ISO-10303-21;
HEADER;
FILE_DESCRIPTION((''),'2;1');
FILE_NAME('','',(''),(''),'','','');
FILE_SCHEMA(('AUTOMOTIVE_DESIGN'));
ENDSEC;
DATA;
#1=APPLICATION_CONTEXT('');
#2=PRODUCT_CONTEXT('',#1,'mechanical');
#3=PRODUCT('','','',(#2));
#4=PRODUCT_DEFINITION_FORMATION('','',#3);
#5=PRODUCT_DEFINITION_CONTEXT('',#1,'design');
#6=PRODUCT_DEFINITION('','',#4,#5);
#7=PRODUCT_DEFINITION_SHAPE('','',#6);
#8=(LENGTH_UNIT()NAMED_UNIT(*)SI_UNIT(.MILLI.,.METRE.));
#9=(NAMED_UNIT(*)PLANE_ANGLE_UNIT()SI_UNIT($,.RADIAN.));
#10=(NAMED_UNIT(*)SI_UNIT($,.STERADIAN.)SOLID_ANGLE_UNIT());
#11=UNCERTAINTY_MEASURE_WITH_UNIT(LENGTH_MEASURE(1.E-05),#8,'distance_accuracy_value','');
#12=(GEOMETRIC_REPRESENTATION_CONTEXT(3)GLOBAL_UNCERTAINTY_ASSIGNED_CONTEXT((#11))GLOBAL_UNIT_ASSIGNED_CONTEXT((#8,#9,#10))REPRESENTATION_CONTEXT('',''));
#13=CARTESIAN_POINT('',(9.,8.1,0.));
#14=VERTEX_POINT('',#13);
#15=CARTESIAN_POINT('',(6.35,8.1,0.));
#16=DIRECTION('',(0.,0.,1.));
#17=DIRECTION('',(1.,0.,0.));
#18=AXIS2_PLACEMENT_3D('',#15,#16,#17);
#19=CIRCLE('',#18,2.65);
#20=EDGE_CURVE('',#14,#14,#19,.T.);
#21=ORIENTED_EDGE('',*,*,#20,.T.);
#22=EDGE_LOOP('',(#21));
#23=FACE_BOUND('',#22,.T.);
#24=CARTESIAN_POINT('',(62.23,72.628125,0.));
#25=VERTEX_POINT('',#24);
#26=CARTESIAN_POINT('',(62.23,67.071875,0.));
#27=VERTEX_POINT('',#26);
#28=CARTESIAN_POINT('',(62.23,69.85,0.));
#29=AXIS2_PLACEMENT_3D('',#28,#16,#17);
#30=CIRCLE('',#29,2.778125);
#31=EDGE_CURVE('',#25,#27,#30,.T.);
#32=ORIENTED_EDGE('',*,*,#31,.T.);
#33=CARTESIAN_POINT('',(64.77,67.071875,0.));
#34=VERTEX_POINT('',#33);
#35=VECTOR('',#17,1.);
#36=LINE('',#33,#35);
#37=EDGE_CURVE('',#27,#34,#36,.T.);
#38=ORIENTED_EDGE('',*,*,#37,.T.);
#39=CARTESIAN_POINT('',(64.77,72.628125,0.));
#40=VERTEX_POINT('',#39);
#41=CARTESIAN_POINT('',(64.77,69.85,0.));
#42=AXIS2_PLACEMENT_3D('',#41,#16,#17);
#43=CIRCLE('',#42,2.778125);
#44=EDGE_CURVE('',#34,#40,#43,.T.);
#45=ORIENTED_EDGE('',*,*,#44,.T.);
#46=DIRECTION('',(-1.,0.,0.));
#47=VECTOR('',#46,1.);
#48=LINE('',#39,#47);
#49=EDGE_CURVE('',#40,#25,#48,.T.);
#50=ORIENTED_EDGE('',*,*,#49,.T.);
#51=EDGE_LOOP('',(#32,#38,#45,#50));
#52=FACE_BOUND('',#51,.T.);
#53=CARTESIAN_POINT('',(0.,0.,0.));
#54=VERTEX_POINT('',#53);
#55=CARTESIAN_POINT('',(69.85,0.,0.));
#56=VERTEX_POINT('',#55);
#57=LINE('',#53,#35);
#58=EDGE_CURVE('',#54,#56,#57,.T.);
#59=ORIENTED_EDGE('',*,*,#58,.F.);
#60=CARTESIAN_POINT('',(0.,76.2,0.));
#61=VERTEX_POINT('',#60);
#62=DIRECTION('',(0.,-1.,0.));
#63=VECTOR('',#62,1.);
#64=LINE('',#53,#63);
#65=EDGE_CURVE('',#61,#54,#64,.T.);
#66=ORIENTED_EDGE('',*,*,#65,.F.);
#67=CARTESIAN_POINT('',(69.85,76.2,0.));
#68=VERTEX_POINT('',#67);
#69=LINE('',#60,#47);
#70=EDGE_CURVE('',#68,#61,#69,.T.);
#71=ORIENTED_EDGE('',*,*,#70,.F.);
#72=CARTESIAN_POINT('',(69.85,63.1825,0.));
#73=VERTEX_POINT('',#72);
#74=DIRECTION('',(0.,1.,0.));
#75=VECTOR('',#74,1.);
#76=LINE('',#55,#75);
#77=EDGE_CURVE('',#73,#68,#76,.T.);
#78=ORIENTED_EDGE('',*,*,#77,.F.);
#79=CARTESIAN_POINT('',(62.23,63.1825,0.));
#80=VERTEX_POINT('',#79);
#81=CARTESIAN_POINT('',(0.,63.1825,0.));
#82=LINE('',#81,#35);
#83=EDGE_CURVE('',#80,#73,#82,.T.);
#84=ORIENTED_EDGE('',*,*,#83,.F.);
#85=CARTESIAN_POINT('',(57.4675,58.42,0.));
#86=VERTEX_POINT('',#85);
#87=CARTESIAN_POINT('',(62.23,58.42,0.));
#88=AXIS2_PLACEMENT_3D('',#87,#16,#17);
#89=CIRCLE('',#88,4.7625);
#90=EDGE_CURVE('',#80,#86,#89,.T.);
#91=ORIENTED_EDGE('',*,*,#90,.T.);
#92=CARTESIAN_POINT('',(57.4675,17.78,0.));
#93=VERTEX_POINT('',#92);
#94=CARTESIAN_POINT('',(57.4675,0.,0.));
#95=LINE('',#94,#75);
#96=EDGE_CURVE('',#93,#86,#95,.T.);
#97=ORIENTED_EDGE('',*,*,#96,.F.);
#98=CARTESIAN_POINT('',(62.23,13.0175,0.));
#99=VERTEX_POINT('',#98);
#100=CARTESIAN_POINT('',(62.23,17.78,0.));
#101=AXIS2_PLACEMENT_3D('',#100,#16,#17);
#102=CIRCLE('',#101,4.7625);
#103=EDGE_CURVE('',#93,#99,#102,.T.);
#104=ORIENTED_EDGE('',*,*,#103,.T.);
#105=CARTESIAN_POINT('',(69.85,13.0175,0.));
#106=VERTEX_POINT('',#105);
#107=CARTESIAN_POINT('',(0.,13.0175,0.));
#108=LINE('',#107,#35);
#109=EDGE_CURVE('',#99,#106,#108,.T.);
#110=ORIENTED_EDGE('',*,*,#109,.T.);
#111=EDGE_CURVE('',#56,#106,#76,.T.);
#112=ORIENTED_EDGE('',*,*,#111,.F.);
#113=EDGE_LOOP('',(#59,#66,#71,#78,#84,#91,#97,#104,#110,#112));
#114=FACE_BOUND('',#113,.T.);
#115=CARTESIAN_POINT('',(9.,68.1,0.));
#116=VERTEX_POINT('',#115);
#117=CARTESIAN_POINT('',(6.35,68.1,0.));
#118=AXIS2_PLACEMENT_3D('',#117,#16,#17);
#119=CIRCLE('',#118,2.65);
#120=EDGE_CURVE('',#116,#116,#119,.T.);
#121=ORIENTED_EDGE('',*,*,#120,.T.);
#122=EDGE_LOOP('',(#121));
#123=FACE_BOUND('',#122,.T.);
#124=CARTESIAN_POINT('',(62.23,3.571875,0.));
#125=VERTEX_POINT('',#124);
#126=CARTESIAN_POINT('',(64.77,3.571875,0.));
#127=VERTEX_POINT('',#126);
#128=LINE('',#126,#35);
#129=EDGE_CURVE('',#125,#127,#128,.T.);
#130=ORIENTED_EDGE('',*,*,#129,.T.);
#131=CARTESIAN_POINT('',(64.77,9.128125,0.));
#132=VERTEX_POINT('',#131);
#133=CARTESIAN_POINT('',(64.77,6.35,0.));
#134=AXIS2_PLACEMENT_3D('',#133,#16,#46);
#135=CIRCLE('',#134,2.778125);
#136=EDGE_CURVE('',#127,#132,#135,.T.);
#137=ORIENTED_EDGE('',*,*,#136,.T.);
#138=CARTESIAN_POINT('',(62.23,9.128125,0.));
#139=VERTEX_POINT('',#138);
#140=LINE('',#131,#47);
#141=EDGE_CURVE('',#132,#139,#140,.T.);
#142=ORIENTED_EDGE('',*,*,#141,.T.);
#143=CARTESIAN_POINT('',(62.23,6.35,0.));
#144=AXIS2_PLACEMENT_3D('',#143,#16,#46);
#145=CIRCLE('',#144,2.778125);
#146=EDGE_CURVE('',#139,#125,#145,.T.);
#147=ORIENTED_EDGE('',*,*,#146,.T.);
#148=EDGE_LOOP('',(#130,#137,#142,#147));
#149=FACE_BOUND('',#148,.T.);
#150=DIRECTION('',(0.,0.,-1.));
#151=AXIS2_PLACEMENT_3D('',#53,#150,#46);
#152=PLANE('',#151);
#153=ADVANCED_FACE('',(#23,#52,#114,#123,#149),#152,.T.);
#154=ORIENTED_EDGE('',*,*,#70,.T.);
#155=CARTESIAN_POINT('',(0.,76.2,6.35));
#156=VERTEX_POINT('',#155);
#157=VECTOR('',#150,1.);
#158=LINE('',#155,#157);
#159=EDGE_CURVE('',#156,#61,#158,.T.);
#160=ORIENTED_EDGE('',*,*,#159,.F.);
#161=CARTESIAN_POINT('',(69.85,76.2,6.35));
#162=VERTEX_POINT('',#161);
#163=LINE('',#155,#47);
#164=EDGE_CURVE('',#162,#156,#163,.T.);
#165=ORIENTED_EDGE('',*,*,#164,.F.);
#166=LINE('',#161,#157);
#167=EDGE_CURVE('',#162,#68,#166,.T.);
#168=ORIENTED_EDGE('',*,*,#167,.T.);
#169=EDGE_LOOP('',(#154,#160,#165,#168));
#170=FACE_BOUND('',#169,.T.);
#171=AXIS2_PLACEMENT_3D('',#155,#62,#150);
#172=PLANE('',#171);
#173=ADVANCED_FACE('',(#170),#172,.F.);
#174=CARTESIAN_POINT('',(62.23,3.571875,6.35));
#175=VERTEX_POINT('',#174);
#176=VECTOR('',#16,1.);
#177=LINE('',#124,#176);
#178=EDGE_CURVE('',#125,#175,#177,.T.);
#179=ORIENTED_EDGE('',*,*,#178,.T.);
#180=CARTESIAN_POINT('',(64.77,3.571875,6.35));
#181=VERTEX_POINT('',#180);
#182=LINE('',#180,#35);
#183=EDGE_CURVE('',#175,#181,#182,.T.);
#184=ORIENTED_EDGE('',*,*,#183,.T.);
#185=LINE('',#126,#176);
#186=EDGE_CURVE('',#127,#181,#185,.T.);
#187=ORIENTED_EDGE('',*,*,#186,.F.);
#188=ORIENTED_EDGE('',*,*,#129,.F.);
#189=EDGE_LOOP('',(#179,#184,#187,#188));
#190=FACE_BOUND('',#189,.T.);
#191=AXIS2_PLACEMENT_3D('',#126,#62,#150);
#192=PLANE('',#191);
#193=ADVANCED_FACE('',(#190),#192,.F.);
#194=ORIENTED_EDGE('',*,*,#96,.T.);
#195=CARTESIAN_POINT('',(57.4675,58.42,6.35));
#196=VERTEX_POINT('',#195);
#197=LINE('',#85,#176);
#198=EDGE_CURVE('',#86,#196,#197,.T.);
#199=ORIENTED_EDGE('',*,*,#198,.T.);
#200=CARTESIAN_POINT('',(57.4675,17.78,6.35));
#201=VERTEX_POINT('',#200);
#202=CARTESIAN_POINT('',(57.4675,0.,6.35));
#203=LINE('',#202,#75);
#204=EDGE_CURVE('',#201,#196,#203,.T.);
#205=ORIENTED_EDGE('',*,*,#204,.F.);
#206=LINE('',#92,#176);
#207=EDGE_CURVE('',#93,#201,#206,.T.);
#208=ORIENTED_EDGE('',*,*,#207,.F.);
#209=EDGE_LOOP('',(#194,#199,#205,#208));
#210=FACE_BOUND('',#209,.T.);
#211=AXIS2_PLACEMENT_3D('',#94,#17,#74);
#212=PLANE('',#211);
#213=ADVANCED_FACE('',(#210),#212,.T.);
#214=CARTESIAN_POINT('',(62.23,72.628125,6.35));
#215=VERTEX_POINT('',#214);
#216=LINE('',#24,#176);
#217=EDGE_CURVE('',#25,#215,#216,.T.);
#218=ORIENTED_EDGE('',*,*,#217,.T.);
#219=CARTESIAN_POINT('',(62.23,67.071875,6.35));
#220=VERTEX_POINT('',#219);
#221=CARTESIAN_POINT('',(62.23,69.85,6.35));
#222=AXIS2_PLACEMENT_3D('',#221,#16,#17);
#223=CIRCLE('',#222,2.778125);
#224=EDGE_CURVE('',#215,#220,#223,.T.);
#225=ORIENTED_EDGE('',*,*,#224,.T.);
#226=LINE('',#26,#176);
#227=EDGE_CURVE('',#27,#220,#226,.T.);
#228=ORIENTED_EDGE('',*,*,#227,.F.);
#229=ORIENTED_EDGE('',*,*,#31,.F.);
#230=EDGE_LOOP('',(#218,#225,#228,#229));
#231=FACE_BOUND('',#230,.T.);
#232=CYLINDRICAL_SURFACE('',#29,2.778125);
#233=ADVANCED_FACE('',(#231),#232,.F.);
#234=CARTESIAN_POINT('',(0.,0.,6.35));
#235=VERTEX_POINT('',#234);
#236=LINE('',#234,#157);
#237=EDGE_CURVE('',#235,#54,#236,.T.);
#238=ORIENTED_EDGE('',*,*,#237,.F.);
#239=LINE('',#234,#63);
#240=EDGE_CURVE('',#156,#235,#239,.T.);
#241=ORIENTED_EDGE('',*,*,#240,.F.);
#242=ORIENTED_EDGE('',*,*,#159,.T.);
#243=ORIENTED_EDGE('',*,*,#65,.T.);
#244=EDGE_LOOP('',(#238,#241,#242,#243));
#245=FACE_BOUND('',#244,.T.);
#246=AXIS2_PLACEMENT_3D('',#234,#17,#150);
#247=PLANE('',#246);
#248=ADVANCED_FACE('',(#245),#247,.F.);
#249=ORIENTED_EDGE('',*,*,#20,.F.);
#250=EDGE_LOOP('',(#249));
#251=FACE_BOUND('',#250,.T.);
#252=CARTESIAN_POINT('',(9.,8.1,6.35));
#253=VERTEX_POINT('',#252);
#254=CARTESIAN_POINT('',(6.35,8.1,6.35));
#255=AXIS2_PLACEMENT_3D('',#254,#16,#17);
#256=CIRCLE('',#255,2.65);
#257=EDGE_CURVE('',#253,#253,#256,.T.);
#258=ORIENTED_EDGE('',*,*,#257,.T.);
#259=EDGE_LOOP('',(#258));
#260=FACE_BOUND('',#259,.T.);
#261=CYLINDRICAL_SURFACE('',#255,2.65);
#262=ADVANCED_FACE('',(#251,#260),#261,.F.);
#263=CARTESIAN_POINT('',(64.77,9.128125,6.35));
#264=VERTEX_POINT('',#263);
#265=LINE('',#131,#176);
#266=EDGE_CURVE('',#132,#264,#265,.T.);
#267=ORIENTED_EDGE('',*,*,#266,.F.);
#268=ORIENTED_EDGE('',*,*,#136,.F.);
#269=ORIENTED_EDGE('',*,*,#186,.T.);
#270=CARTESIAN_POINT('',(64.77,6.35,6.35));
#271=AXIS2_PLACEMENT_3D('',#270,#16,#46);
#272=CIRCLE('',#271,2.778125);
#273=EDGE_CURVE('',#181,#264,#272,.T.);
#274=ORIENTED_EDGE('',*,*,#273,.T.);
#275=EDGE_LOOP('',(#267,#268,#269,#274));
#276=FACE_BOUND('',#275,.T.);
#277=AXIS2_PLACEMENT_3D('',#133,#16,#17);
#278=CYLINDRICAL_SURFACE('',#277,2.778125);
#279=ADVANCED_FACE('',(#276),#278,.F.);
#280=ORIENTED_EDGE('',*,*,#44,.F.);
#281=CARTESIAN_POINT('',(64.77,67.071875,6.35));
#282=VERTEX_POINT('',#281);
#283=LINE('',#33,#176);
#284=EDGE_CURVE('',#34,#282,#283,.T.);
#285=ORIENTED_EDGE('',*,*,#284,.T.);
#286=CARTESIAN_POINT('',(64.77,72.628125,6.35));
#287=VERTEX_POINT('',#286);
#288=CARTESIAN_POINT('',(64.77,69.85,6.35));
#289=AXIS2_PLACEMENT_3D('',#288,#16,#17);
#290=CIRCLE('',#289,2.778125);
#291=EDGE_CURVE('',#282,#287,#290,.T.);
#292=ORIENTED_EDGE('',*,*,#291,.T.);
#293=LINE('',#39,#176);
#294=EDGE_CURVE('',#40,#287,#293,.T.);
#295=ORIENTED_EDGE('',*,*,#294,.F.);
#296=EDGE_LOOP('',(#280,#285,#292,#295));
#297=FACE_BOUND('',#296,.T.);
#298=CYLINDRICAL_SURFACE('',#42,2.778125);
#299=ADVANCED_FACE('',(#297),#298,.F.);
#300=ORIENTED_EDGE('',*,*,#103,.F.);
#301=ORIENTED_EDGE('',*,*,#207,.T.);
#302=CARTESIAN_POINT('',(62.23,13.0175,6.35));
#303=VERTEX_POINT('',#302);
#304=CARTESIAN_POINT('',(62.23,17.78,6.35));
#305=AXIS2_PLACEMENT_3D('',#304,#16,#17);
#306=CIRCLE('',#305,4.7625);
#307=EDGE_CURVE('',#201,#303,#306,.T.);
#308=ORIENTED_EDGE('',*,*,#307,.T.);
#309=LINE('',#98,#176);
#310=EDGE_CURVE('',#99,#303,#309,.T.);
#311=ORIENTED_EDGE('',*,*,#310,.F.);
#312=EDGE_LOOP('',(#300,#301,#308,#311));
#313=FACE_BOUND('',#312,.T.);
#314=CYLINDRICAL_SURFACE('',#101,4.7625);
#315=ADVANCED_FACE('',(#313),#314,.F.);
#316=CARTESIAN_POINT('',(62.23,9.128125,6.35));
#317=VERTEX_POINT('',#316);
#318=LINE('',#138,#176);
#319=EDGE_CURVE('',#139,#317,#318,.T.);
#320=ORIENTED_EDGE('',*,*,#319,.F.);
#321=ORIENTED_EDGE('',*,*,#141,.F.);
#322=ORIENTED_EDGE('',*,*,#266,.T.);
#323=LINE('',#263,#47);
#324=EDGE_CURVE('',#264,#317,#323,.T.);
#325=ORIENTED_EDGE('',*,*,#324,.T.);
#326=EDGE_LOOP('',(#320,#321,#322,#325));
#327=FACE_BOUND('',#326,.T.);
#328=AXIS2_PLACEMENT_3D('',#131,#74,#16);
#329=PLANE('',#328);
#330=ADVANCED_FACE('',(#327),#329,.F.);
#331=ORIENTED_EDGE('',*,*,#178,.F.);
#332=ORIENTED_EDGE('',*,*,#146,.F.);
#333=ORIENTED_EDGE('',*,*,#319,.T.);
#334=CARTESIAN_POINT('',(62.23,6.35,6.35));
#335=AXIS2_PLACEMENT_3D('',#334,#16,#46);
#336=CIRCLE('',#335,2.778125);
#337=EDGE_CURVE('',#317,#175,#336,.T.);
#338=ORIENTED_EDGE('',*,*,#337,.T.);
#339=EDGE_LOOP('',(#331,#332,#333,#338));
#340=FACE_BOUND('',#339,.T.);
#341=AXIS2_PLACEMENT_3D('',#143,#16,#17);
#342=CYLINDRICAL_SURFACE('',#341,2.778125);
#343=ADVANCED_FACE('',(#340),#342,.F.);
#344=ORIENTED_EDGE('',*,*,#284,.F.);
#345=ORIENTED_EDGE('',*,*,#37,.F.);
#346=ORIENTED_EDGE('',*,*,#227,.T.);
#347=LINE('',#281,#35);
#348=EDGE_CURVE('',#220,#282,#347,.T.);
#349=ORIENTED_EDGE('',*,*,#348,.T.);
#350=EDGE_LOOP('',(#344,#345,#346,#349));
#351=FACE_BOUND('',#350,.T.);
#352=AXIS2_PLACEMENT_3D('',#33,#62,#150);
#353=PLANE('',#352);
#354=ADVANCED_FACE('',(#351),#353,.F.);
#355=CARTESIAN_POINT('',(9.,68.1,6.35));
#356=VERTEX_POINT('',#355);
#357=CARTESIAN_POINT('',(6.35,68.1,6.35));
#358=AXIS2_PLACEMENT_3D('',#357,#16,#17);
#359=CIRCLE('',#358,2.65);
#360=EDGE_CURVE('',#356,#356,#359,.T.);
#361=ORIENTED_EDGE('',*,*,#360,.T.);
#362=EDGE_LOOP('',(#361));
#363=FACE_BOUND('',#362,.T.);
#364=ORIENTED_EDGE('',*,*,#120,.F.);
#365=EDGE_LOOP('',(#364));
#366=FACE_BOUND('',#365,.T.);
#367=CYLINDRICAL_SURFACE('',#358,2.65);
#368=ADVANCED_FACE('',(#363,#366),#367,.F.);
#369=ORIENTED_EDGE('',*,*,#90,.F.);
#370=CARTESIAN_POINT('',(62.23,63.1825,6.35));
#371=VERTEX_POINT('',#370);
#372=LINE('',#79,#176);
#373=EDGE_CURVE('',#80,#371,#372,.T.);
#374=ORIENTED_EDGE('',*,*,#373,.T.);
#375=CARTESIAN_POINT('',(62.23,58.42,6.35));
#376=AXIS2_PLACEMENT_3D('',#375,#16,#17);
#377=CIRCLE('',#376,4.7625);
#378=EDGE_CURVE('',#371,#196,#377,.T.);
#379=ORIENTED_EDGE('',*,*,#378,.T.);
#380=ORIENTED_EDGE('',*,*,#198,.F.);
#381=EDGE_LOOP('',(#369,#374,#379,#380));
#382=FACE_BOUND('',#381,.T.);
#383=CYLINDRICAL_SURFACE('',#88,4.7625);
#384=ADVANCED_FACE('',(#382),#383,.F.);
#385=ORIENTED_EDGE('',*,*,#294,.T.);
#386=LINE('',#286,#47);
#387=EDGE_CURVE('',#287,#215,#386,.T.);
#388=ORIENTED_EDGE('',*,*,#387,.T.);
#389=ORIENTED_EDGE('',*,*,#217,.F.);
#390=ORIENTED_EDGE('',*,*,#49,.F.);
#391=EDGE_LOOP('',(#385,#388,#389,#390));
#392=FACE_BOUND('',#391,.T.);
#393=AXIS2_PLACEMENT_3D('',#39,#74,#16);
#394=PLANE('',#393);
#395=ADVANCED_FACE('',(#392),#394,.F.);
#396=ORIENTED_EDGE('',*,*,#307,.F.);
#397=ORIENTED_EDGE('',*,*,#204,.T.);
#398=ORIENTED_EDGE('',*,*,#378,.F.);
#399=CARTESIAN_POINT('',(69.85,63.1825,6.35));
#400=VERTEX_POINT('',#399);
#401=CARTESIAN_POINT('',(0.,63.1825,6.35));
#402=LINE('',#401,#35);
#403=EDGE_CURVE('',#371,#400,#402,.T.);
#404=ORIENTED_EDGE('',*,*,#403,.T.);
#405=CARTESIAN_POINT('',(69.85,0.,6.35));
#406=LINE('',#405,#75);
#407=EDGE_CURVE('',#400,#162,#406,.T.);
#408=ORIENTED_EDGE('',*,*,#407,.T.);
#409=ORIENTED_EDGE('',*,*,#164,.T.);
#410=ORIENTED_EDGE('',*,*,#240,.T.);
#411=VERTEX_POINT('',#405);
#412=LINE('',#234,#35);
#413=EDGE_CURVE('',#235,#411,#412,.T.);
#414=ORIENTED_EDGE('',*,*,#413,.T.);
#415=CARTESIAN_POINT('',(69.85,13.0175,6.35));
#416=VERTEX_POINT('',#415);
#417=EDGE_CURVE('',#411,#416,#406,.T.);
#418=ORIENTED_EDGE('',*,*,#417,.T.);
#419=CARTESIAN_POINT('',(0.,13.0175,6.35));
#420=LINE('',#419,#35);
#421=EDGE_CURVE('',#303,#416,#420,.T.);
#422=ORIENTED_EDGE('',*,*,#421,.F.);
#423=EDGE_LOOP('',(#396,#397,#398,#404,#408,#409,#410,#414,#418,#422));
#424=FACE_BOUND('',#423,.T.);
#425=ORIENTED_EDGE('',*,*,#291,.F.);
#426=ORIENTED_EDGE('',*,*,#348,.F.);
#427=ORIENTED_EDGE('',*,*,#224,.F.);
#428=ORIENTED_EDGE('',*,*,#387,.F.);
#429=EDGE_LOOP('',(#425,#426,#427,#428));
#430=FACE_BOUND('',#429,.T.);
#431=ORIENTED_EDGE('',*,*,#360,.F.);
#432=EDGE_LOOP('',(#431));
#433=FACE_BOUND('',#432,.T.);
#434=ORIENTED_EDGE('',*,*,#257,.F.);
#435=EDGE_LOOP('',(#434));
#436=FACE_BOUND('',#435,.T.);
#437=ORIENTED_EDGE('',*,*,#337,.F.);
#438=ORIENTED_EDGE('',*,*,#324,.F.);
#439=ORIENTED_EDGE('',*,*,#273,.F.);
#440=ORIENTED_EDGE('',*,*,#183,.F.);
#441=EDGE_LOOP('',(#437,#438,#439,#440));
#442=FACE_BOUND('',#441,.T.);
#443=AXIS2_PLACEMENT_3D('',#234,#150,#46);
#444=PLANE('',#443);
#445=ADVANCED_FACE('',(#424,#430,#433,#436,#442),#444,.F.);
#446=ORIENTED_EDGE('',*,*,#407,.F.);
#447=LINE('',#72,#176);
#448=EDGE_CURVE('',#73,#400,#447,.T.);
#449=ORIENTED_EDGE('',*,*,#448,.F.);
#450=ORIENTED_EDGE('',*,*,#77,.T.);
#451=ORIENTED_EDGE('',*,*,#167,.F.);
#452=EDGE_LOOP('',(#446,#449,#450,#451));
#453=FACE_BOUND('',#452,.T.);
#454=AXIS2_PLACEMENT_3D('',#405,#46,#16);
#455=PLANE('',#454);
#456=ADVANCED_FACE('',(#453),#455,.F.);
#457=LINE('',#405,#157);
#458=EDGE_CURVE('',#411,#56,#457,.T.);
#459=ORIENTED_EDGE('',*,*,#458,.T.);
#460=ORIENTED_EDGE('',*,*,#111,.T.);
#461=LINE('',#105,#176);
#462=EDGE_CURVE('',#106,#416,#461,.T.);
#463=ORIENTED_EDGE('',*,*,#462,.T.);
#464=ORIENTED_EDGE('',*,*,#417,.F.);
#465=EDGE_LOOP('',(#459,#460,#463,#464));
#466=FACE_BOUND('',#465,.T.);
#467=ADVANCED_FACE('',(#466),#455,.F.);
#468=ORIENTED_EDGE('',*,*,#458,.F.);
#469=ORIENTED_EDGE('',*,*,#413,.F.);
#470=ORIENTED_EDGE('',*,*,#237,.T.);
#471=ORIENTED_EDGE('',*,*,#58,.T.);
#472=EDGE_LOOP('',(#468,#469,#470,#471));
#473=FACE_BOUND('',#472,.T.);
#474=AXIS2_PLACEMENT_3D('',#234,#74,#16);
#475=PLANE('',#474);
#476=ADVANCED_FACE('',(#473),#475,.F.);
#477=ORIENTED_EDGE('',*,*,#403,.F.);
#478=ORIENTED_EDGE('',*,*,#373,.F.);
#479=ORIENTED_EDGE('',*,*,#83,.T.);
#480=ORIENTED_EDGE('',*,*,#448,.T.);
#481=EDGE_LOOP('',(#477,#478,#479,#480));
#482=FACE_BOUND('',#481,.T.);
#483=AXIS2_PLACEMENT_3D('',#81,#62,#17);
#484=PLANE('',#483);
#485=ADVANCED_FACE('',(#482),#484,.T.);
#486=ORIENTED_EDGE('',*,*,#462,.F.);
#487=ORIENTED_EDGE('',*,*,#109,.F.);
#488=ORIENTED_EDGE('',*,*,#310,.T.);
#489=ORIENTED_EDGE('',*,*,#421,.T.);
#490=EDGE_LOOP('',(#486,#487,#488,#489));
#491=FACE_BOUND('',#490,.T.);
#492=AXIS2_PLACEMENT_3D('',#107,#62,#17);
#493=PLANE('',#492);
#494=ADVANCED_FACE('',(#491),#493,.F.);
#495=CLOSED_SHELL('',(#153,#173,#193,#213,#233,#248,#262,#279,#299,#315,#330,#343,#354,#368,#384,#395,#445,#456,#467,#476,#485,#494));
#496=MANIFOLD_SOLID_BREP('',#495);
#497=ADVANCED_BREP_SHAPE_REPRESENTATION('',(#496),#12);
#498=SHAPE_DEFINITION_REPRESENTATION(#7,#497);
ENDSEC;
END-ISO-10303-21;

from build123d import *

# Parameters (mm, degrees)
SKETCH1_W                = 69.85
SKETCH1_H                = 76.2
BOSS_EXTRUDE1_DEPTH      = 6.35
M5_CLEARANCE_HOLE1_D     = 5.3
M5_CLEARANCE_HOLE1_DEPTH = 6.35
M5_CLEARANCE_HOLE1_TIP   = 1.59228064
CUT_EXTRUDE1_DEPTH       = 104.565365832
CUT_EXTRUDE2_DEPTH       = 104.565365832


with BuildPart() as part:
    # Sketch1 → Boss-Extrude1 (new body)
    with BuildSketch(Plane.XY):
        with Locations((34.925, 38.1)):
            Rectangle(SKETCH1_W, SKETCH1_H)
    extrude(amount=BOSS_EXTRUDE1_DEPTH)

    # M5 Clearance Hole1
    with Locations(Plane(origin=(6.35, 68.1, 6.35), x_dir=(1, 0, 0), z_dir=(0, 0, 1))):
        with Locations((0, 0), (0, -60)):
            Hole(M5_CLEARANCE_HOLE1_D / 2, depth=M5_CLEARANCE_HOLE1_DEPTH)
            with Locations((0, 0, -(M5_CLEARANCE_HOLE1_DEPTH + M5_CLEARANCE_HOLE1_TIP / 2))):  # 118° drill point
                Cone(0, M5_CLEARANCE_HOLE1_D / 2, M5_CLEARANCE_HOLE1_TIP, mode=Mode.SUBTRACT)

    # Sketch4 → Cut-Extrude1 (cut, through all)
    with BuildSketch(Plane.XY.offset(6.35)):
        with BuildLine():
            Line((64.77, 67.071875), (62.23, 67.071875))
            ThreePointArc((62.23, 67.071875), (59.451875, 69.85), (62.23, 72.628125))
            Line((62.23, 72.628125), (64.77, 72.628125))
            ThreePointArc((64.77, 72.628125), (67.548125, 69.85), (64.77, 67.071875))
        make_face()
        with BuildLine():
            Line((64.77, 9.128125), (62.23, 9.128125))
            ThreePointArc((62.23, 9.128125), (59.451875, 6.35), (62.23, 3.571875))
            Line((62.23, 3.571875), (64.77, 3.571875))
            ThreePointArc((64.77, 3.571875), (67.548125, 6.35), (64.77, 9.128125))
        make_face()
    extrude(amount=-CUT_EXTRUDE1_DEPTH, mode=Mode.SUBTRACT)

    # Sketch5 → Cut-Extrude2 (cut, through all)
    with BuildSketch(Plane.XY.offset(6.35)):
        with BuildLine():
            Line((66.9925, 17.78), (66.9925, 58.42))
            ThreePointArc((66.9925, 58.42), (62.23, 63.1825), (57.4675, 58.42))
            Line((57.4675, 58.42), (57.4675, 17.78))
            ThreePointArc((57.4675, 17.78), (62.23, 13.0175), (66.9925, 17.78))
        make_face()
        with BuildLine():
            ThreePointArc((66.9925, 17.78), (65.597596045, 14.412403955), (62.23, 13.0175))
            Line((62.23, 13.0175), (69.85, 13.0175))
            Line((69.85, 13.0175), (69.85, 63.1825))
            Line((69.85, 63.1825), (62.23, 63.1825))
            ThreePointArc((62.23, 63.1825), (65.597596045, 61.787596045), (66.9925, 58.42))
            Line((66.9925, 58.42), (66.9925, 17.78))
        make_face()
    extrude(amount=-CUT_EXTRUDE2_DEPTH, mode=Mode.SUBTRACT)


solid = part.part
